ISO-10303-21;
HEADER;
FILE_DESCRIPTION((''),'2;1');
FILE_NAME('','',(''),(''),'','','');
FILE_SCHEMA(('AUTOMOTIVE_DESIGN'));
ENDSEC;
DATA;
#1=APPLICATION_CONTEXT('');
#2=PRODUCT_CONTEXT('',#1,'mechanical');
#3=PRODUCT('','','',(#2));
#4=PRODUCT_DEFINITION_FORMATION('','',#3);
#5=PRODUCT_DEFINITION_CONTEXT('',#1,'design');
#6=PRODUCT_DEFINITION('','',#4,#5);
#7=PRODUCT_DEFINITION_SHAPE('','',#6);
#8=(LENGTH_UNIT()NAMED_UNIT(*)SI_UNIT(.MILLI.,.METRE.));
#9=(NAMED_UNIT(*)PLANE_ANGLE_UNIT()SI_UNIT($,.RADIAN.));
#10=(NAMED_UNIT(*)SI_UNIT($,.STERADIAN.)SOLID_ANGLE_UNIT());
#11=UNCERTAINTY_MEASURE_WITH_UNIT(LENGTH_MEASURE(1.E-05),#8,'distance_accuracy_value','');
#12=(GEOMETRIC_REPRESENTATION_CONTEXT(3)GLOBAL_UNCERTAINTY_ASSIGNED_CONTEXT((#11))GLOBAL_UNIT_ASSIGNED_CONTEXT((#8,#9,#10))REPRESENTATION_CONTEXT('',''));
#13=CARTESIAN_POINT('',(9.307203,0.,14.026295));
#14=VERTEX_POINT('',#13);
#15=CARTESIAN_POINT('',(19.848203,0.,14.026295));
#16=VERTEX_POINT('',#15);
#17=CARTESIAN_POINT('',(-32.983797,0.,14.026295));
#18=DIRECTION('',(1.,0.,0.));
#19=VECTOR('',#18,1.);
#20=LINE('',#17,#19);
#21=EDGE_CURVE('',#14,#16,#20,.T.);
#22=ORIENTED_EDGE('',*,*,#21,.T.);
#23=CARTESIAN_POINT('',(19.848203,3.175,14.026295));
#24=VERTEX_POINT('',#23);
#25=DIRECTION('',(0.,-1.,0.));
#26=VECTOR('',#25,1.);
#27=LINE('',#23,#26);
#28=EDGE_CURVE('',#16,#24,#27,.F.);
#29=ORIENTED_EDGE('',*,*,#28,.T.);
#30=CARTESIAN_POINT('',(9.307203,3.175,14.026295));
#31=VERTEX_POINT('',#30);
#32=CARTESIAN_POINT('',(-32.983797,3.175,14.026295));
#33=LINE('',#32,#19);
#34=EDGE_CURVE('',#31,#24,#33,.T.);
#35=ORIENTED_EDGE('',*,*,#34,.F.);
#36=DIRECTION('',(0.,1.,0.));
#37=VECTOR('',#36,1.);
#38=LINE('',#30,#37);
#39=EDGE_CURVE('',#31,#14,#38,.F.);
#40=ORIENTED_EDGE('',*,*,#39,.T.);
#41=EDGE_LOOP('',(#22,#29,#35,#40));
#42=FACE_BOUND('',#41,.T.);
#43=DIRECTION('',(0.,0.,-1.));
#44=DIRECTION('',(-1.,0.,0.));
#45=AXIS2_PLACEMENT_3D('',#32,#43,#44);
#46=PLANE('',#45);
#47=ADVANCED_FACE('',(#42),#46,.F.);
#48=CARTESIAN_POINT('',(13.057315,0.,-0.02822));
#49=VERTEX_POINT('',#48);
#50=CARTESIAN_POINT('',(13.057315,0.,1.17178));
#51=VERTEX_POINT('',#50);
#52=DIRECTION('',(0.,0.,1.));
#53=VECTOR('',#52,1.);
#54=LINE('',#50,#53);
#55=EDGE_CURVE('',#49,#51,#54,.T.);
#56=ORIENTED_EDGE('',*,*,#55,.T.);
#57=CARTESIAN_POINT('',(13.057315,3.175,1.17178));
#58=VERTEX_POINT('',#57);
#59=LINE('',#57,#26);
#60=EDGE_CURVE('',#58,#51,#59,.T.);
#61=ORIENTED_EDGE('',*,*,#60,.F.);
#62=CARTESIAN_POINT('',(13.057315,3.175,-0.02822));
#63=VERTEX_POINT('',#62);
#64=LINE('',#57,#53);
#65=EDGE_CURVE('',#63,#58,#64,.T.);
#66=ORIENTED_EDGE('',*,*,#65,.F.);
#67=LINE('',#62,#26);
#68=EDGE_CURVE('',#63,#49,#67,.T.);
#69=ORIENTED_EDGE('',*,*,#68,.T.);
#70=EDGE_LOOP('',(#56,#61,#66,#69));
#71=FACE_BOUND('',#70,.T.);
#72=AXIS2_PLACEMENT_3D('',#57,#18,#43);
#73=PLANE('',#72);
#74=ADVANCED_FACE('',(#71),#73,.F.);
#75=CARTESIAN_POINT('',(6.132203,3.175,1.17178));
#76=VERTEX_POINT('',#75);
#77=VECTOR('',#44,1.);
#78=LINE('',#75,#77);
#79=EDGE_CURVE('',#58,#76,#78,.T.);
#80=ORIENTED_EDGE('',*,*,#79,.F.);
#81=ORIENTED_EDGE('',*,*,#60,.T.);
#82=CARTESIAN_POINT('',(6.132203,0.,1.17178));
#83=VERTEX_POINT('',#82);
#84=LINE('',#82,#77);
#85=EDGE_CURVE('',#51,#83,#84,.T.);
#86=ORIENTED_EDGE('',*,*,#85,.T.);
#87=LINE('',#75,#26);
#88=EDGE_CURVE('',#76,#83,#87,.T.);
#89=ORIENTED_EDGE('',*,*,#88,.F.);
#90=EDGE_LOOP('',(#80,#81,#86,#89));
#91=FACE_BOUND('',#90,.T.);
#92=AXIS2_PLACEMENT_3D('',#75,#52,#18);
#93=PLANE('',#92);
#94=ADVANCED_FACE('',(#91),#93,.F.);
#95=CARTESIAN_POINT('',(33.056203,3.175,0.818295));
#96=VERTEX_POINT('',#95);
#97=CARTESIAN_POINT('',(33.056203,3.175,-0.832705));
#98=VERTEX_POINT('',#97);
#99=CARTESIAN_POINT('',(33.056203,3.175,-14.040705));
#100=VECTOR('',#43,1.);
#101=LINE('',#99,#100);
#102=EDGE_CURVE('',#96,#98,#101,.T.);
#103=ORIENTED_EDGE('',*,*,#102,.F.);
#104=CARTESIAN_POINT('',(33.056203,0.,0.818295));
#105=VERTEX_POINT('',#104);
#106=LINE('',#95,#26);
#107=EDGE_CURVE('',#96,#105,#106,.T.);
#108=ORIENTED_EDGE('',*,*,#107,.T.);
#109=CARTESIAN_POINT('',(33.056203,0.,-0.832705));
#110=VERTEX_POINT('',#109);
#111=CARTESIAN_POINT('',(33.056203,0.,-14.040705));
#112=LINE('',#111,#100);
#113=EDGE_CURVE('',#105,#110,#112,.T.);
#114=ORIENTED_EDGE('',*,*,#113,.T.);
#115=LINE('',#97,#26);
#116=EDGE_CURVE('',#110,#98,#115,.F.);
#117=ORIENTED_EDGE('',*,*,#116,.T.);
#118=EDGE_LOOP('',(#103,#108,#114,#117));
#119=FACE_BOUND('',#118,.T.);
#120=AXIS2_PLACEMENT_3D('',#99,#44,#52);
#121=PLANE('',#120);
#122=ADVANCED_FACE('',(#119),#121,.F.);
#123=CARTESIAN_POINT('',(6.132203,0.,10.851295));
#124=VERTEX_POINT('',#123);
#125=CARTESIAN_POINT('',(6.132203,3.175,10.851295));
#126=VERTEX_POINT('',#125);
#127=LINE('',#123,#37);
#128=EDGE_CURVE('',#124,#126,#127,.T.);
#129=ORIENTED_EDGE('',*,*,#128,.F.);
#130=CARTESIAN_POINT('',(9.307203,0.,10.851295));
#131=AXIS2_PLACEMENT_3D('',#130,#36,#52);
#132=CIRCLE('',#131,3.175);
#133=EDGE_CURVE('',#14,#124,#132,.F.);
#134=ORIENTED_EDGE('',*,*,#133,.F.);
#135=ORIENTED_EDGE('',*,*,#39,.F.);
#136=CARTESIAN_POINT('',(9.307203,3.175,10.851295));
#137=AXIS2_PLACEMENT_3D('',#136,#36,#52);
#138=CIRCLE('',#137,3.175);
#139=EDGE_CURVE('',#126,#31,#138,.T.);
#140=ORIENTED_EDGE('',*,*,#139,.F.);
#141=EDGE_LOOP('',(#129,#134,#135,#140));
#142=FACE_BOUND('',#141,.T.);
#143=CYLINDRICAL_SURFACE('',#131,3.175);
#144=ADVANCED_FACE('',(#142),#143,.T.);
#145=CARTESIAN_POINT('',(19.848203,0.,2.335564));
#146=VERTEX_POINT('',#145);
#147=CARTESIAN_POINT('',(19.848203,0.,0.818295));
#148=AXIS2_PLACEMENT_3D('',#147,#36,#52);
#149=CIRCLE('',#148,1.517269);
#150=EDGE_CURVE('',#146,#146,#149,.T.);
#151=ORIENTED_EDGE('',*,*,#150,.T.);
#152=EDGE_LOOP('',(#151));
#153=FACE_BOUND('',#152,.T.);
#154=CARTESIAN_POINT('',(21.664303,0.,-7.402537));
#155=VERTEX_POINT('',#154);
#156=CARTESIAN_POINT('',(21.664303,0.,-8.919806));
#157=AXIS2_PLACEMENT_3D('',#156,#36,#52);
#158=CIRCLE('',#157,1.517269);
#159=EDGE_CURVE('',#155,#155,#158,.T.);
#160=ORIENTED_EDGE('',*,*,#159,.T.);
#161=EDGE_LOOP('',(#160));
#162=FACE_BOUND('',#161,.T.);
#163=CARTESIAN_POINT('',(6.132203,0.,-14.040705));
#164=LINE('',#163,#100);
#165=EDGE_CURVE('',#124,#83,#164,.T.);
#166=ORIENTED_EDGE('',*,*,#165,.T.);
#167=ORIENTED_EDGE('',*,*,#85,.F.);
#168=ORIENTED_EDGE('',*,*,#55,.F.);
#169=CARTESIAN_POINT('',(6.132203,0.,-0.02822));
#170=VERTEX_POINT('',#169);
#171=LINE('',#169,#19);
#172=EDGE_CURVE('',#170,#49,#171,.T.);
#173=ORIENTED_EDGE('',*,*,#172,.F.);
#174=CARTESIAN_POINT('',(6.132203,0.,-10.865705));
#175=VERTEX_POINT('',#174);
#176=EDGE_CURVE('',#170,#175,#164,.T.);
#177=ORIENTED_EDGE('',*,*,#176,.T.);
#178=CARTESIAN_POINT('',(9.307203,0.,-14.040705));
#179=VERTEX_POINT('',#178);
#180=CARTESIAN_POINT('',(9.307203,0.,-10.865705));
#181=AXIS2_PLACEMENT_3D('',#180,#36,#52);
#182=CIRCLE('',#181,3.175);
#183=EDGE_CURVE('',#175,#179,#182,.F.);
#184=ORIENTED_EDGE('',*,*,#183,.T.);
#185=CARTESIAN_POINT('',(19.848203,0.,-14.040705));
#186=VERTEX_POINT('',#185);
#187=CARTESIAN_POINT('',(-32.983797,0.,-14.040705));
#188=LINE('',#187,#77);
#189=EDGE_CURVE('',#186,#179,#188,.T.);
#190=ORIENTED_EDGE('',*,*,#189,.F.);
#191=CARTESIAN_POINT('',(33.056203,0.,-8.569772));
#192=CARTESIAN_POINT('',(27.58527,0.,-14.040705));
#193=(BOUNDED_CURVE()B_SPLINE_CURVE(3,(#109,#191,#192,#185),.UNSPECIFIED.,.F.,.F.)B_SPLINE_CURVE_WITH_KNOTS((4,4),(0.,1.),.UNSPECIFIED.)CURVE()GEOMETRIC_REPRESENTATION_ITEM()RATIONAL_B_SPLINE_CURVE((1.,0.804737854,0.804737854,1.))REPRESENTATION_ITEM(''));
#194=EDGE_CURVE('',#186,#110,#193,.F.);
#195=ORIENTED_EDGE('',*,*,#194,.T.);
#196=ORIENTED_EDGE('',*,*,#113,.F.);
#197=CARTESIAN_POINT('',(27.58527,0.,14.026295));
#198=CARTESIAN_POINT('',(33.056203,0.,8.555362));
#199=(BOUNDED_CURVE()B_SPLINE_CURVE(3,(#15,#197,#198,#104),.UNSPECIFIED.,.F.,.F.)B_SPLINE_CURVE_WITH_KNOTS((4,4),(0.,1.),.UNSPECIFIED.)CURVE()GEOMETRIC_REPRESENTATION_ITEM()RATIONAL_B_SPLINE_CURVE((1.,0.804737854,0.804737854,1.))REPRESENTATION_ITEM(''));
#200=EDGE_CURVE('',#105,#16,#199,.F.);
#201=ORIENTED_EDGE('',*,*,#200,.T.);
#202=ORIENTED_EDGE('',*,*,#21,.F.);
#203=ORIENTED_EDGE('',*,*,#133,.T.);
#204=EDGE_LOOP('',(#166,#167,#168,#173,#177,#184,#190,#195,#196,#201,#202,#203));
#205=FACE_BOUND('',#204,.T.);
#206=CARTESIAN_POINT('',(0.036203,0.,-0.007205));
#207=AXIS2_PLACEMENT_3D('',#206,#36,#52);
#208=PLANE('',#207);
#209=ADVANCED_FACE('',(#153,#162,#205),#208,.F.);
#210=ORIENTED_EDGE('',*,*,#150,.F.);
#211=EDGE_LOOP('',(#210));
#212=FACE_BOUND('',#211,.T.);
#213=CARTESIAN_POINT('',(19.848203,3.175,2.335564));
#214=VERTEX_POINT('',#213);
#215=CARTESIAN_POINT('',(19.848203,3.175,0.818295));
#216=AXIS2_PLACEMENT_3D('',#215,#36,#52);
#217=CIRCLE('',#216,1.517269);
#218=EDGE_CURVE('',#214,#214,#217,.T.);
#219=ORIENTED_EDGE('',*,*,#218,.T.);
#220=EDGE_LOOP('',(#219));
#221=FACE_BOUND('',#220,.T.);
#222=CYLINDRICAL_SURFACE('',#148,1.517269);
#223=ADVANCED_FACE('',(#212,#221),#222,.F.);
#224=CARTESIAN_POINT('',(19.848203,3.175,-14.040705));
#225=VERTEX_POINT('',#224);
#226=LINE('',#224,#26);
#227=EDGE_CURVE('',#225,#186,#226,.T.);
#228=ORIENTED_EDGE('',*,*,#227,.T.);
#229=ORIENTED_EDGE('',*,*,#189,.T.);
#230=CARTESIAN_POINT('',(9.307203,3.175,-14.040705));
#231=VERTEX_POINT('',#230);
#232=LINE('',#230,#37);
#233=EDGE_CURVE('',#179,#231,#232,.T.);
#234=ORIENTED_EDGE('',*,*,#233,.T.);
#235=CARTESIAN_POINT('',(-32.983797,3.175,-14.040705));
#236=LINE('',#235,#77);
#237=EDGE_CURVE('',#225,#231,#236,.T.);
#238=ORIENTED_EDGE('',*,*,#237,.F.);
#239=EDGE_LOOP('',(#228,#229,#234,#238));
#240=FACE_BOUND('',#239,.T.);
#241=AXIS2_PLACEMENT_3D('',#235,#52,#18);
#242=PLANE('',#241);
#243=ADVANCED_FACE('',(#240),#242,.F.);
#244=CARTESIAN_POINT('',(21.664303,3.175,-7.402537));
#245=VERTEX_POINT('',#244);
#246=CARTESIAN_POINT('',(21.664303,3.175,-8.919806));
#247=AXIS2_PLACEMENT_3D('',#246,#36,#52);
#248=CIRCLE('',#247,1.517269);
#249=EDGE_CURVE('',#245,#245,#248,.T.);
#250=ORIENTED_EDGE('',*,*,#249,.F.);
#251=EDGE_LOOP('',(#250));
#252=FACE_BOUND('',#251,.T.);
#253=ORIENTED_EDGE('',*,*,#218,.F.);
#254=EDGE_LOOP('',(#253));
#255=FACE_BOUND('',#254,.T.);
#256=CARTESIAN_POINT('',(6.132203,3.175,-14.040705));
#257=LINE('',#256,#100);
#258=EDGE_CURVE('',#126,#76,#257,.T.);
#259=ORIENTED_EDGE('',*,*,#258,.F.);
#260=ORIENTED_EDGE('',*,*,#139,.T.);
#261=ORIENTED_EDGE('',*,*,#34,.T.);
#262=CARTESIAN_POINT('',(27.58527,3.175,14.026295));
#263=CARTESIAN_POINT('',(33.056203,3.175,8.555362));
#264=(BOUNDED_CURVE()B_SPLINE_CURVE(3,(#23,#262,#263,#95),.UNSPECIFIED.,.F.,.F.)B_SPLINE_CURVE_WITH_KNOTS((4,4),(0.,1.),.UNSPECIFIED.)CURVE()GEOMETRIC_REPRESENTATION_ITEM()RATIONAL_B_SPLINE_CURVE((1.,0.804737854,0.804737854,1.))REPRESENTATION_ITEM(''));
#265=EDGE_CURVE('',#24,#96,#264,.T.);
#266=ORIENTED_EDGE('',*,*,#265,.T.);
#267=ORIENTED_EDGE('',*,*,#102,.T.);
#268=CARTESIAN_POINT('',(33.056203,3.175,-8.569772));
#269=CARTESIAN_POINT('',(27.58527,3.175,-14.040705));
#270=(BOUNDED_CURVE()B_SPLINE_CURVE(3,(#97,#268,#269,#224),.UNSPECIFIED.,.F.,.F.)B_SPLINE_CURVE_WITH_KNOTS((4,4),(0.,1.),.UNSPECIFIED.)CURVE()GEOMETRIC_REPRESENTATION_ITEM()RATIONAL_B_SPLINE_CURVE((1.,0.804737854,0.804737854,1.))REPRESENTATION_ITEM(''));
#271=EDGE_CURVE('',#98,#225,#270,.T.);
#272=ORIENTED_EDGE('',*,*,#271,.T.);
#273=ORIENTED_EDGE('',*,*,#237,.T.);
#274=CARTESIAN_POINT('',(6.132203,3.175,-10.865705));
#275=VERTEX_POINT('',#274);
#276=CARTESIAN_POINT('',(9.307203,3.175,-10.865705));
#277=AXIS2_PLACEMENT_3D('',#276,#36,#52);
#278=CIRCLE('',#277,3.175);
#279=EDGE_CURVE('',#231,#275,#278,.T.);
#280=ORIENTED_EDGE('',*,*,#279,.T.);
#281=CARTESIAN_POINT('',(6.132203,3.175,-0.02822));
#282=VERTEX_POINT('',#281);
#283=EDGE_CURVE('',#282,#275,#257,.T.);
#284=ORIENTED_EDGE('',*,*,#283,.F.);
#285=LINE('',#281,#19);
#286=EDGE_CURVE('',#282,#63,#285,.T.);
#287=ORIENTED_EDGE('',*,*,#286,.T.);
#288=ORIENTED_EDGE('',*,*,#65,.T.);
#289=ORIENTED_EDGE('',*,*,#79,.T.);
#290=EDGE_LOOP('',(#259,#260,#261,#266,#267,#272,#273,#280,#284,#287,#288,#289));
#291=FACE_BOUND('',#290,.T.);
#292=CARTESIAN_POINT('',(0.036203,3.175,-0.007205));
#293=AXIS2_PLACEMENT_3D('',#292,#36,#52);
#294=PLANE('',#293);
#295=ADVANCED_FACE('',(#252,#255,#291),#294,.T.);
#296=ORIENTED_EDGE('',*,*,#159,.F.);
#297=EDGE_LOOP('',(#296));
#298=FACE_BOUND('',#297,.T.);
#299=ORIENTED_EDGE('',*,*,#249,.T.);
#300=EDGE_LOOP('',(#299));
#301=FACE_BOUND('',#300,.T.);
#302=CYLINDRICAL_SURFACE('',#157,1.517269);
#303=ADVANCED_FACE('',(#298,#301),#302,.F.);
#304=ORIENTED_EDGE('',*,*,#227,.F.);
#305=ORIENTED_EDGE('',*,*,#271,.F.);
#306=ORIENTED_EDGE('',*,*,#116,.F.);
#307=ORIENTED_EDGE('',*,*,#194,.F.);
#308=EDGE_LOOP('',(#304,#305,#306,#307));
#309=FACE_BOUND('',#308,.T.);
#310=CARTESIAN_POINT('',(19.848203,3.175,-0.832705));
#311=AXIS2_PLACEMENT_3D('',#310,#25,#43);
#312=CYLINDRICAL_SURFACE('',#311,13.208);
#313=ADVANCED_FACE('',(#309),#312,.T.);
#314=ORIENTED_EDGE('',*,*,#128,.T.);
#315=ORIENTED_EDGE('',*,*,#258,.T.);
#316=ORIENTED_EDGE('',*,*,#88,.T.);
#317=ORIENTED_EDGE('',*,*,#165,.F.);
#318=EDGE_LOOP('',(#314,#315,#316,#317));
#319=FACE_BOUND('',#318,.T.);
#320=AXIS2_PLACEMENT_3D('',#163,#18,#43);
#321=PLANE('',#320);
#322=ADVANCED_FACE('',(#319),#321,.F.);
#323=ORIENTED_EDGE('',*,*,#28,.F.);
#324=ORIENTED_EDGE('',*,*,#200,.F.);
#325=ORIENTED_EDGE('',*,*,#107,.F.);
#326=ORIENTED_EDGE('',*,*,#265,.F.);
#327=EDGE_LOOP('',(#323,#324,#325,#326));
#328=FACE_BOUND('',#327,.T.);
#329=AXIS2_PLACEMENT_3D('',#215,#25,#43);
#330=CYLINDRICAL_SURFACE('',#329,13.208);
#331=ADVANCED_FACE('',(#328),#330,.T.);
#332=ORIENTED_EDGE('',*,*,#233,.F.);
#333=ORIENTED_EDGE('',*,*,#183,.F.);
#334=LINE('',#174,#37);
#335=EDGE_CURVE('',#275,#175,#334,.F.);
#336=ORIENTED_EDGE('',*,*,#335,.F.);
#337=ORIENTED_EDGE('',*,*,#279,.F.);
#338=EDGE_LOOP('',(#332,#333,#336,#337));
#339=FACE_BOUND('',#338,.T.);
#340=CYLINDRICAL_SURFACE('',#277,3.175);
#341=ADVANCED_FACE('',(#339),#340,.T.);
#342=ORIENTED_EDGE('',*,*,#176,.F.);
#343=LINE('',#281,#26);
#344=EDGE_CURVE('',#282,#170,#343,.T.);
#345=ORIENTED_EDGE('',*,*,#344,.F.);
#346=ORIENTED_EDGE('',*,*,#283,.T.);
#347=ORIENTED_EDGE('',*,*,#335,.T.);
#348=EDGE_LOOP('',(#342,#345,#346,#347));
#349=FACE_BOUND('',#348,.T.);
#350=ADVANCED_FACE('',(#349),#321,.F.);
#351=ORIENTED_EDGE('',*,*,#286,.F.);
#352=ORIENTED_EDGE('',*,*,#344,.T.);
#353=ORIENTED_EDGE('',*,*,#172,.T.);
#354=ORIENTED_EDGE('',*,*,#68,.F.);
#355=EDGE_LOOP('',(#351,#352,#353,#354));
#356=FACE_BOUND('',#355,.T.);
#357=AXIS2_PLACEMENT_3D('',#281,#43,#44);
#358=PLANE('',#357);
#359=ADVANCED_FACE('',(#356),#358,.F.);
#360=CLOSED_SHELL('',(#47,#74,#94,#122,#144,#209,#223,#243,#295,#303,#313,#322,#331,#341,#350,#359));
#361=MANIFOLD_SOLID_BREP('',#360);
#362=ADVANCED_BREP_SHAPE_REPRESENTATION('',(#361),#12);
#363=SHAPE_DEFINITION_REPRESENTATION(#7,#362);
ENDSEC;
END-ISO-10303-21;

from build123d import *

# Parameters (mm, degrees)
SKETCH1_W           = 50.8
SKETCH1_H           = 21.59
BOSS_EXTRUDE1_DEPTH = 3.175
FILLET1_R           = 10.16
SKETCH3_R           = 1.16713
CUT_EXTRUDE1_DEPTH  = 28.780796425
FILLET3_R           = 10.16
SCALE1_SCALE_X      = 1.3
SCALE1_SCALE_Y      = 1
SCALE1_SCALE_Z      = 1.3
SKETCH4_W           = 39.116
SKETCH4_H           = 28.067
CUT_EXTRUDE2_DEPTH  = 37.054605389
FILLET4_R           = 3.175
SKETCH7_W           = 6.925112
SKETCH7_H           = 1.2
CUT_EXTRUDE3_DEPTH  = 37.054605389


with BuildPart() as part:
    # Sketch1 → Boss-Extrude1 (new body)
    with BuildSketch(Plane(origin=(0, 0, 0), x_dir=(1, 0, 0), z_dir=(0, 1, 0))):
        Rectangle(SKETCH1_W, SKETCH1_H)
    extrude(amount=BOSS_EXTRUDE1_DEPTH)

    # Fillet1
    fillet1_edges = [part.edges().sort_by_distance(p)[0] for p in [
        (25.4, 1.5875, 10.795),
        (-25.4, 1.5875, 10.795),
    ]]
    fillet(fillet1_edges, radius=FILLET1_R)

    # Sketch3 → Cut-Extrude1 (cut, through all)
    with BuildSketch(Plane(origin=(0, 3.175, 0), x_dir=(1, 0, 0), z_dir=(0, 1, 0))):
        with Locations(Location((15.24, -0.635, 0), (0, 0, 270))):
            Circle(SKETCH3_R)
        with Locations(Location((16.637, 6.855847148, 0), (0, 0, 270))):
            Circle(SKETCH3_R)
        with Locations(Location((-3.81, -0.635, 0), (0, 0, 270))):
            Circle(SKETCH3_R)
    extrude(amount=-CUT_EXTRUDE1_DEPTH, mode=Mode.SUBTRACT)

    # Fillet3
    fillet3_edges = [part.edges().sort_by_distance(p)[0] for p in [
        (-25.4, 1.5875, -10.795),
        (25.4, 1.5875, -10.795),
    ]]
    fillet(fillet3_edges, radius=FILLET3_R)


with BuildPart() as part_1:
    # Scale1: scaled about (-0.120675705, 1.5875, 0.024016676)
    add(part.part.scale((SCALE1_SCALE_X, SCALE1_SCALE_Y, SCALE1_SCALE_Z), about=(-0.120675705, 1.5875, 0.024016676)))

    # Sketch4 → Cut-Extrude2 (cut, through all)
    with BuildSketch(Plane(origin=(0, 3.175, 0), x_dir=(1, 0, 0), z_dir=(0, 1, 0))):
        with Locations((-13.425797288, 0.007205003)):
            Rectangle(SKETCH4_W, SKETCH4_H)
    extrude(amount=-CUT_EXTRUDE2_DEPTH, mode=Mode.SUBTRACT)

    # Fillet4
    fillet4_edges = [part_1.edges().sort_by_distance(p)[0] for p in [
        (6.132202712, 1.5875, -14.040705003),
        (6.132202712, 1.5875, 14.026294997),
    ]]
    fillet(fillet4_edges, radius=FILLET4_R)

    # Sketch7 → Cut-Extrude3 (cut, through all)
    with BuildSketch(Plane.XZ):
        with Locations((9.594758712, 0.571779506)):
            Rectangle(SKETCH7_W, SKETCH7_H)
    extrude(amount=-CUT_EXTRUDE3_DEPTH, mode=Mode.SUBTRACT)


solid = part_1.part
